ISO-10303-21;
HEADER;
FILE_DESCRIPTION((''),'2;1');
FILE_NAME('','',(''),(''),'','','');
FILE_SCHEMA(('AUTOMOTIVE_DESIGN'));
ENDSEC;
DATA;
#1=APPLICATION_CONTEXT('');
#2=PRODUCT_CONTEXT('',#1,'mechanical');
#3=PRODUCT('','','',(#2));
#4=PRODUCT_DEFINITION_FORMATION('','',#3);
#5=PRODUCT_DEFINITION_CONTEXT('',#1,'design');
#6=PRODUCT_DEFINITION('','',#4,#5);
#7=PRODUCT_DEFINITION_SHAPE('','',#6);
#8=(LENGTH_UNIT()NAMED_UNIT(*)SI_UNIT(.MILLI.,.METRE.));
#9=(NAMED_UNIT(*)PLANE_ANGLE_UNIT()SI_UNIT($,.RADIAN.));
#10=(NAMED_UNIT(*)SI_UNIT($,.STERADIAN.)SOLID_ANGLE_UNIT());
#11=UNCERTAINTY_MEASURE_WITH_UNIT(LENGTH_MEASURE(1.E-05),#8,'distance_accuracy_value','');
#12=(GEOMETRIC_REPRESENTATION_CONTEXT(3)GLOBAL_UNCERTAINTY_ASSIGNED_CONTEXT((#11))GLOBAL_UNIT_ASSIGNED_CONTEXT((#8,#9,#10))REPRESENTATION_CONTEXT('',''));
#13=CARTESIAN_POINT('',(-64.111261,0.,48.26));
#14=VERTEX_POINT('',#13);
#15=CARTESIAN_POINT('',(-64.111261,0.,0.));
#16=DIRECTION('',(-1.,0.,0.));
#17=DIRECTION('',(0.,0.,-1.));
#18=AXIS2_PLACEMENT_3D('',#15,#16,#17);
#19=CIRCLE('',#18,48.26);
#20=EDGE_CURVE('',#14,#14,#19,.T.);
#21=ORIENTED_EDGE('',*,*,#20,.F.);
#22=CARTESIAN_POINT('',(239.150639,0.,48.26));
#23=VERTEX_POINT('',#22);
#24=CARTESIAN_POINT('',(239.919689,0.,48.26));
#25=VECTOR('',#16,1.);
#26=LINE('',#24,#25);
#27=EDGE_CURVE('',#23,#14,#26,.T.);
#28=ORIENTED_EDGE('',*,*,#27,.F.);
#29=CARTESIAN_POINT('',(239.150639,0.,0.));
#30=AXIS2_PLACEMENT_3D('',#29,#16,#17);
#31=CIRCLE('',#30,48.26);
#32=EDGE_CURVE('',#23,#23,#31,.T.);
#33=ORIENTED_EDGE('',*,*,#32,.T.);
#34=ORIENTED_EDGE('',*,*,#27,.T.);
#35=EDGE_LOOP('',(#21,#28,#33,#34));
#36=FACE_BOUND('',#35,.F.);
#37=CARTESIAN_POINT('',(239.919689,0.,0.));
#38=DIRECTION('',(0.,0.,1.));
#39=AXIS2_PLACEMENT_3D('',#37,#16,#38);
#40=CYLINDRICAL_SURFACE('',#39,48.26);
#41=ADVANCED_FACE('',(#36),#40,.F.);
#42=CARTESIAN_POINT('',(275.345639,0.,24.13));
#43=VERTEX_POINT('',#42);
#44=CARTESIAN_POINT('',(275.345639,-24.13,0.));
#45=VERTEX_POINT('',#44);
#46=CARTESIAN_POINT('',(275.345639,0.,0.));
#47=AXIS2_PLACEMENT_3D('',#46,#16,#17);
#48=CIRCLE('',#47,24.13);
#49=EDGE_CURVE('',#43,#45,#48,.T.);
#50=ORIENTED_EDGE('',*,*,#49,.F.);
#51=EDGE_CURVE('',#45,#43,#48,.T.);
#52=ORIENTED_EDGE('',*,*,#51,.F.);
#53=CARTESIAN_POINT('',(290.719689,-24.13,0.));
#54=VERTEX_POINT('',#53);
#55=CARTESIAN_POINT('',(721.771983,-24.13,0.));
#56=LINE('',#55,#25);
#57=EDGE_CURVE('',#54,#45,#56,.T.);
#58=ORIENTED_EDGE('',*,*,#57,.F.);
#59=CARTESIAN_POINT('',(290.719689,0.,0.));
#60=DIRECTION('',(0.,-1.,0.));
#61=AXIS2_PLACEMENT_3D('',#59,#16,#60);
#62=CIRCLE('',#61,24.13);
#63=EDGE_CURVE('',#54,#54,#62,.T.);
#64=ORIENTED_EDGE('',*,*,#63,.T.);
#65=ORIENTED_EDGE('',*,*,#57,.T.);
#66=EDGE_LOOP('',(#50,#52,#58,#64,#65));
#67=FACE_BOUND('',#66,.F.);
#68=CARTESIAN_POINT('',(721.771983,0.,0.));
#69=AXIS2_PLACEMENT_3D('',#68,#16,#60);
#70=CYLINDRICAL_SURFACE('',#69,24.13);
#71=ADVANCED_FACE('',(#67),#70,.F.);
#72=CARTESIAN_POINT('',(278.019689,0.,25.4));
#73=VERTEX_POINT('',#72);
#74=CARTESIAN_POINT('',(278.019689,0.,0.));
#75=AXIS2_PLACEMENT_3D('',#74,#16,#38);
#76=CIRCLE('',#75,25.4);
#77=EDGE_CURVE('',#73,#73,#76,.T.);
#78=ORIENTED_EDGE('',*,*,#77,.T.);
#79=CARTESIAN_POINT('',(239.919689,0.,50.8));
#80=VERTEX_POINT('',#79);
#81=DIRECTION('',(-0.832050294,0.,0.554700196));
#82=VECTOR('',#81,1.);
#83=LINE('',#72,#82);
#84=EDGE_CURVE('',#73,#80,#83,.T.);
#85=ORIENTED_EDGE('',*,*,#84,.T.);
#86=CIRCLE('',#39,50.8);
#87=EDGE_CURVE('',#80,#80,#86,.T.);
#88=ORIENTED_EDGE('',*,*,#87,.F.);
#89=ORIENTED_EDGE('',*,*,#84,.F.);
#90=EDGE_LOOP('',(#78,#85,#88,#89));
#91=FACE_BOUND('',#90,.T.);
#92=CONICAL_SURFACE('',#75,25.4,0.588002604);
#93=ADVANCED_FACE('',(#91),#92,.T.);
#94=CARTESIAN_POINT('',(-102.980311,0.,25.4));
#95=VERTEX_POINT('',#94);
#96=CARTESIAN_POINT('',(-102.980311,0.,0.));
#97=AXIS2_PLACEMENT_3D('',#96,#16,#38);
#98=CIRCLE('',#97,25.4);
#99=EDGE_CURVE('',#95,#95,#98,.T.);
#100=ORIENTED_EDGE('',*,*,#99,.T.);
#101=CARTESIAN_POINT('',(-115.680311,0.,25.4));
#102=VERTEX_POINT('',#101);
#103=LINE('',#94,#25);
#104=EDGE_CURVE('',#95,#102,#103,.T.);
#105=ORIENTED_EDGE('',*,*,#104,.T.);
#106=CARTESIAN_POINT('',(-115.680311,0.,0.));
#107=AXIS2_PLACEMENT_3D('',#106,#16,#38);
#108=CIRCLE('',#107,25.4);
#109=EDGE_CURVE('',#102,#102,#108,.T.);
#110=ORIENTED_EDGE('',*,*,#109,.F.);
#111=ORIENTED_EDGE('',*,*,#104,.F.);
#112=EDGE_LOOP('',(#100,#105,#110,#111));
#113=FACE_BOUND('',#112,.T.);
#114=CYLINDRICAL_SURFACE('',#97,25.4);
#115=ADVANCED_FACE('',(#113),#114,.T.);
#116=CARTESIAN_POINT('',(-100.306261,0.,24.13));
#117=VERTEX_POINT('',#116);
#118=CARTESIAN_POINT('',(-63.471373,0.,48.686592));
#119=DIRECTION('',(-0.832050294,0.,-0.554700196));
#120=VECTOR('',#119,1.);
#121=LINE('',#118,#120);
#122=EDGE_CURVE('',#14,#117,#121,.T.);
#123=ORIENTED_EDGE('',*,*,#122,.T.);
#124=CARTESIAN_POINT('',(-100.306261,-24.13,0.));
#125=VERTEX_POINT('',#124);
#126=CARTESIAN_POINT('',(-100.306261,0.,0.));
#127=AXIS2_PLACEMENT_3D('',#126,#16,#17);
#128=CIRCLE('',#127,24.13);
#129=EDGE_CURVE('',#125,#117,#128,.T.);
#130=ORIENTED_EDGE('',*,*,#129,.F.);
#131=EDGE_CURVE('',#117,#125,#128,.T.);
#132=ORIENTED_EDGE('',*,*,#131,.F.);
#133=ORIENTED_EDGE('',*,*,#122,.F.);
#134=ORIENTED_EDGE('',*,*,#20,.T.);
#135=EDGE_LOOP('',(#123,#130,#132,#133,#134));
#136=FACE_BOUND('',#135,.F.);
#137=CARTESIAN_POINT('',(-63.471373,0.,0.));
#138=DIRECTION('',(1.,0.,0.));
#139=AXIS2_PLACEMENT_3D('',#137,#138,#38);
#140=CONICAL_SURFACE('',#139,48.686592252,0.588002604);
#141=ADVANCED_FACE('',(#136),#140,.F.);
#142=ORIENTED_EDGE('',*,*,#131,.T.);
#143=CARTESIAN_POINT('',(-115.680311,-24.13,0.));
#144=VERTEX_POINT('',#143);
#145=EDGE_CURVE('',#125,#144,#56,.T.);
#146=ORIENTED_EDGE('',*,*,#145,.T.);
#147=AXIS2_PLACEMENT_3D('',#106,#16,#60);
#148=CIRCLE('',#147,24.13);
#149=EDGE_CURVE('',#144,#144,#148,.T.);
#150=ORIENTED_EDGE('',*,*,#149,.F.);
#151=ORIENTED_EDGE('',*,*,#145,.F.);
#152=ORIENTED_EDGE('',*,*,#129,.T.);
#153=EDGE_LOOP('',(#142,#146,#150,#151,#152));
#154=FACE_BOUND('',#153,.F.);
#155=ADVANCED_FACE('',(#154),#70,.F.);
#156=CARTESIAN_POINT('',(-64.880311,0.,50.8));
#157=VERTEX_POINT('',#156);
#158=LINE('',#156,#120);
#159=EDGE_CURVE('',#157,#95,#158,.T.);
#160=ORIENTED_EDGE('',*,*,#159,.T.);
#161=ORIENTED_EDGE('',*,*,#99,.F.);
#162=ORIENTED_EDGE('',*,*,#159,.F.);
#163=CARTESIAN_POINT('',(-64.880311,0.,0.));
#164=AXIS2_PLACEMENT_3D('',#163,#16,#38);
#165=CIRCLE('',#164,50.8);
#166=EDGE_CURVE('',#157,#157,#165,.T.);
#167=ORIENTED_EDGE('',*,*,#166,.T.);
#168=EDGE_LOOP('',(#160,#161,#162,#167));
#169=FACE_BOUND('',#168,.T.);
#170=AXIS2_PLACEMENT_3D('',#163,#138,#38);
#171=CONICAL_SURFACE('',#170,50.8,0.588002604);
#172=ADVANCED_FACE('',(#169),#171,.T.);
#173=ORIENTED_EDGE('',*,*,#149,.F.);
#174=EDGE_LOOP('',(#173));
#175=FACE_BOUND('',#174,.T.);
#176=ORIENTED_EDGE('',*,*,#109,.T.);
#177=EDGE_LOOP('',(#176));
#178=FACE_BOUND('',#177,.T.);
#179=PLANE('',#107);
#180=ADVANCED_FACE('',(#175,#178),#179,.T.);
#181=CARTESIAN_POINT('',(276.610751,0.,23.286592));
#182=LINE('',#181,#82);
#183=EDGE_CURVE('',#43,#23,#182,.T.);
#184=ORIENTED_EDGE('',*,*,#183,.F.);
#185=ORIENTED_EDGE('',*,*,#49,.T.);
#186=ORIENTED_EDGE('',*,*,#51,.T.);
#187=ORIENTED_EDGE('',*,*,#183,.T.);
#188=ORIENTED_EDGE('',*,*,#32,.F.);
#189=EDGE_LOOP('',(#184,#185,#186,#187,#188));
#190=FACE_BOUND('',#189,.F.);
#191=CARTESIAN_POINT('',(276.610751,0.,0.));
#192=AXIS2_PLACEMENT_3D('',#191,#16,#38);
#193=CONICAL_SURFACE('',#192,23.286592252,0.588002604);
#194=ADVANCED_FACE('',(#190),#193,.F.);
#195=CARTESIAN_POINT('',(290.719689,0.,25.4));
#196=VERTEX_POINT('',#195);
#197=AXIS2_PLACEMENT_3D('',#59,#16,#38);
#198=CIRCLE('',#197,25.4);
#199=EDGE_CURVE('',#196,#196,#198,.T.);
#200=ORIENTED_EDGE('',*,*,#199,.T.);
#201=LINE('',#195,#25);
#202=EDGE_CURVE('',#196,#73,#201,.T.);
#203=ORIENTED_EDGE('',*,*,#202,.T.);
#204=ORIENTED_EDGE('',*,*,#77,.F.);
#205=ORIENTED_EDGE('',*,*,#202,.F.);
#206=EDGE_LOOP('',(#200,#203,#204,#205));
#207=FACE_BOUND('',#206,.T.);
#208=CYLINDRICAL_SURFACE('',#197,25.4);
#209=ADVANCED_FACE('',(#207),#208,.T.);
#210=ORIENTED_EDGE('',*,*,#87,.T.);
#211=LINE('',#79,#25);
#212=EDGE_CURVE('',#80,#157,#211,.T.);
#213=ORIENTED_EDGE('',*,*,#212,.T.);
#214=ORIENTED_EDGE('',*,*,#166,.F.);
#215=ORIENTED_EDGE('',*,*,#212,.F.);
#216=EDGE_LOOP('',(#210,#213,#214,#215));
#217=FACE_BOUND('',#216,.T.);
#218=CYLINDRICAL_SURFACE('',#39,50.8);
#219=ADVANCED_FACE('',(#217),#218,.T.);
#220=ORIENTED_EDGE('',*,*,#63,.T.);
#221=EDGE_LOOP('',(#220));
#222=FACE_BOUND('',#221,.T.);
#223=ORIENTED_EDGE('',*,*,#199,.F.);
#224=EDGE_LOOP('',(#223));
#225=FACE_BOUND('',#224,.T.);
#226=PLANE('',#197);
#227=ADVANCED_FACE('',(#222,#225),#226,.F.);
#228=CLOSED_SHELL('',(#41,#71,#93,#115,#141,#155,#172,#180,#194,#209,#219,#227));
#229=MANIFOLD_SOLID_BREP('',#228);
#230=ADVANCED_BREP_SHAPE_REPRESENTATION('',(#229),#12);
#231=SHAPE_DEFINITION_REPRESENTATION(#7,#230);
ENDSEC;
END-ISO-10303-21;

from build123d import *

# Parameters (mm, degrees)
F2_T = -2.54
F4_D = 48.26


with BuildPart() as f1:
    # F0 (on Front) → F1 (revolve)
    with BuildSketch(Plane.XZ):
        Polygon((-115.680311, 25.4), (-115.680311, 0), (290.719689, 0), (290.719689, 25.4), (278.019689, 25.4), (239.919689, 50.8), (-64.880311, 50.8), (-102.980311, 25.4), align=None)
    revolve(axis=Axis((87.519689, 0, 0), (-1, 0, 0)))

    # F2
    f2_openings = [f1.faces().sort_by_distance(p)[0] for p in [
        (-115.680311, 0, 0),
    ]]
    offset(amount=F2_T, openings=f2_openings)

    # F4 (through all)
    with Locations(Plane.YZ.offset(290.719689)):
        with Locations((0, 0)):
            Hole(F4_D / 2)


solid = f1.part
